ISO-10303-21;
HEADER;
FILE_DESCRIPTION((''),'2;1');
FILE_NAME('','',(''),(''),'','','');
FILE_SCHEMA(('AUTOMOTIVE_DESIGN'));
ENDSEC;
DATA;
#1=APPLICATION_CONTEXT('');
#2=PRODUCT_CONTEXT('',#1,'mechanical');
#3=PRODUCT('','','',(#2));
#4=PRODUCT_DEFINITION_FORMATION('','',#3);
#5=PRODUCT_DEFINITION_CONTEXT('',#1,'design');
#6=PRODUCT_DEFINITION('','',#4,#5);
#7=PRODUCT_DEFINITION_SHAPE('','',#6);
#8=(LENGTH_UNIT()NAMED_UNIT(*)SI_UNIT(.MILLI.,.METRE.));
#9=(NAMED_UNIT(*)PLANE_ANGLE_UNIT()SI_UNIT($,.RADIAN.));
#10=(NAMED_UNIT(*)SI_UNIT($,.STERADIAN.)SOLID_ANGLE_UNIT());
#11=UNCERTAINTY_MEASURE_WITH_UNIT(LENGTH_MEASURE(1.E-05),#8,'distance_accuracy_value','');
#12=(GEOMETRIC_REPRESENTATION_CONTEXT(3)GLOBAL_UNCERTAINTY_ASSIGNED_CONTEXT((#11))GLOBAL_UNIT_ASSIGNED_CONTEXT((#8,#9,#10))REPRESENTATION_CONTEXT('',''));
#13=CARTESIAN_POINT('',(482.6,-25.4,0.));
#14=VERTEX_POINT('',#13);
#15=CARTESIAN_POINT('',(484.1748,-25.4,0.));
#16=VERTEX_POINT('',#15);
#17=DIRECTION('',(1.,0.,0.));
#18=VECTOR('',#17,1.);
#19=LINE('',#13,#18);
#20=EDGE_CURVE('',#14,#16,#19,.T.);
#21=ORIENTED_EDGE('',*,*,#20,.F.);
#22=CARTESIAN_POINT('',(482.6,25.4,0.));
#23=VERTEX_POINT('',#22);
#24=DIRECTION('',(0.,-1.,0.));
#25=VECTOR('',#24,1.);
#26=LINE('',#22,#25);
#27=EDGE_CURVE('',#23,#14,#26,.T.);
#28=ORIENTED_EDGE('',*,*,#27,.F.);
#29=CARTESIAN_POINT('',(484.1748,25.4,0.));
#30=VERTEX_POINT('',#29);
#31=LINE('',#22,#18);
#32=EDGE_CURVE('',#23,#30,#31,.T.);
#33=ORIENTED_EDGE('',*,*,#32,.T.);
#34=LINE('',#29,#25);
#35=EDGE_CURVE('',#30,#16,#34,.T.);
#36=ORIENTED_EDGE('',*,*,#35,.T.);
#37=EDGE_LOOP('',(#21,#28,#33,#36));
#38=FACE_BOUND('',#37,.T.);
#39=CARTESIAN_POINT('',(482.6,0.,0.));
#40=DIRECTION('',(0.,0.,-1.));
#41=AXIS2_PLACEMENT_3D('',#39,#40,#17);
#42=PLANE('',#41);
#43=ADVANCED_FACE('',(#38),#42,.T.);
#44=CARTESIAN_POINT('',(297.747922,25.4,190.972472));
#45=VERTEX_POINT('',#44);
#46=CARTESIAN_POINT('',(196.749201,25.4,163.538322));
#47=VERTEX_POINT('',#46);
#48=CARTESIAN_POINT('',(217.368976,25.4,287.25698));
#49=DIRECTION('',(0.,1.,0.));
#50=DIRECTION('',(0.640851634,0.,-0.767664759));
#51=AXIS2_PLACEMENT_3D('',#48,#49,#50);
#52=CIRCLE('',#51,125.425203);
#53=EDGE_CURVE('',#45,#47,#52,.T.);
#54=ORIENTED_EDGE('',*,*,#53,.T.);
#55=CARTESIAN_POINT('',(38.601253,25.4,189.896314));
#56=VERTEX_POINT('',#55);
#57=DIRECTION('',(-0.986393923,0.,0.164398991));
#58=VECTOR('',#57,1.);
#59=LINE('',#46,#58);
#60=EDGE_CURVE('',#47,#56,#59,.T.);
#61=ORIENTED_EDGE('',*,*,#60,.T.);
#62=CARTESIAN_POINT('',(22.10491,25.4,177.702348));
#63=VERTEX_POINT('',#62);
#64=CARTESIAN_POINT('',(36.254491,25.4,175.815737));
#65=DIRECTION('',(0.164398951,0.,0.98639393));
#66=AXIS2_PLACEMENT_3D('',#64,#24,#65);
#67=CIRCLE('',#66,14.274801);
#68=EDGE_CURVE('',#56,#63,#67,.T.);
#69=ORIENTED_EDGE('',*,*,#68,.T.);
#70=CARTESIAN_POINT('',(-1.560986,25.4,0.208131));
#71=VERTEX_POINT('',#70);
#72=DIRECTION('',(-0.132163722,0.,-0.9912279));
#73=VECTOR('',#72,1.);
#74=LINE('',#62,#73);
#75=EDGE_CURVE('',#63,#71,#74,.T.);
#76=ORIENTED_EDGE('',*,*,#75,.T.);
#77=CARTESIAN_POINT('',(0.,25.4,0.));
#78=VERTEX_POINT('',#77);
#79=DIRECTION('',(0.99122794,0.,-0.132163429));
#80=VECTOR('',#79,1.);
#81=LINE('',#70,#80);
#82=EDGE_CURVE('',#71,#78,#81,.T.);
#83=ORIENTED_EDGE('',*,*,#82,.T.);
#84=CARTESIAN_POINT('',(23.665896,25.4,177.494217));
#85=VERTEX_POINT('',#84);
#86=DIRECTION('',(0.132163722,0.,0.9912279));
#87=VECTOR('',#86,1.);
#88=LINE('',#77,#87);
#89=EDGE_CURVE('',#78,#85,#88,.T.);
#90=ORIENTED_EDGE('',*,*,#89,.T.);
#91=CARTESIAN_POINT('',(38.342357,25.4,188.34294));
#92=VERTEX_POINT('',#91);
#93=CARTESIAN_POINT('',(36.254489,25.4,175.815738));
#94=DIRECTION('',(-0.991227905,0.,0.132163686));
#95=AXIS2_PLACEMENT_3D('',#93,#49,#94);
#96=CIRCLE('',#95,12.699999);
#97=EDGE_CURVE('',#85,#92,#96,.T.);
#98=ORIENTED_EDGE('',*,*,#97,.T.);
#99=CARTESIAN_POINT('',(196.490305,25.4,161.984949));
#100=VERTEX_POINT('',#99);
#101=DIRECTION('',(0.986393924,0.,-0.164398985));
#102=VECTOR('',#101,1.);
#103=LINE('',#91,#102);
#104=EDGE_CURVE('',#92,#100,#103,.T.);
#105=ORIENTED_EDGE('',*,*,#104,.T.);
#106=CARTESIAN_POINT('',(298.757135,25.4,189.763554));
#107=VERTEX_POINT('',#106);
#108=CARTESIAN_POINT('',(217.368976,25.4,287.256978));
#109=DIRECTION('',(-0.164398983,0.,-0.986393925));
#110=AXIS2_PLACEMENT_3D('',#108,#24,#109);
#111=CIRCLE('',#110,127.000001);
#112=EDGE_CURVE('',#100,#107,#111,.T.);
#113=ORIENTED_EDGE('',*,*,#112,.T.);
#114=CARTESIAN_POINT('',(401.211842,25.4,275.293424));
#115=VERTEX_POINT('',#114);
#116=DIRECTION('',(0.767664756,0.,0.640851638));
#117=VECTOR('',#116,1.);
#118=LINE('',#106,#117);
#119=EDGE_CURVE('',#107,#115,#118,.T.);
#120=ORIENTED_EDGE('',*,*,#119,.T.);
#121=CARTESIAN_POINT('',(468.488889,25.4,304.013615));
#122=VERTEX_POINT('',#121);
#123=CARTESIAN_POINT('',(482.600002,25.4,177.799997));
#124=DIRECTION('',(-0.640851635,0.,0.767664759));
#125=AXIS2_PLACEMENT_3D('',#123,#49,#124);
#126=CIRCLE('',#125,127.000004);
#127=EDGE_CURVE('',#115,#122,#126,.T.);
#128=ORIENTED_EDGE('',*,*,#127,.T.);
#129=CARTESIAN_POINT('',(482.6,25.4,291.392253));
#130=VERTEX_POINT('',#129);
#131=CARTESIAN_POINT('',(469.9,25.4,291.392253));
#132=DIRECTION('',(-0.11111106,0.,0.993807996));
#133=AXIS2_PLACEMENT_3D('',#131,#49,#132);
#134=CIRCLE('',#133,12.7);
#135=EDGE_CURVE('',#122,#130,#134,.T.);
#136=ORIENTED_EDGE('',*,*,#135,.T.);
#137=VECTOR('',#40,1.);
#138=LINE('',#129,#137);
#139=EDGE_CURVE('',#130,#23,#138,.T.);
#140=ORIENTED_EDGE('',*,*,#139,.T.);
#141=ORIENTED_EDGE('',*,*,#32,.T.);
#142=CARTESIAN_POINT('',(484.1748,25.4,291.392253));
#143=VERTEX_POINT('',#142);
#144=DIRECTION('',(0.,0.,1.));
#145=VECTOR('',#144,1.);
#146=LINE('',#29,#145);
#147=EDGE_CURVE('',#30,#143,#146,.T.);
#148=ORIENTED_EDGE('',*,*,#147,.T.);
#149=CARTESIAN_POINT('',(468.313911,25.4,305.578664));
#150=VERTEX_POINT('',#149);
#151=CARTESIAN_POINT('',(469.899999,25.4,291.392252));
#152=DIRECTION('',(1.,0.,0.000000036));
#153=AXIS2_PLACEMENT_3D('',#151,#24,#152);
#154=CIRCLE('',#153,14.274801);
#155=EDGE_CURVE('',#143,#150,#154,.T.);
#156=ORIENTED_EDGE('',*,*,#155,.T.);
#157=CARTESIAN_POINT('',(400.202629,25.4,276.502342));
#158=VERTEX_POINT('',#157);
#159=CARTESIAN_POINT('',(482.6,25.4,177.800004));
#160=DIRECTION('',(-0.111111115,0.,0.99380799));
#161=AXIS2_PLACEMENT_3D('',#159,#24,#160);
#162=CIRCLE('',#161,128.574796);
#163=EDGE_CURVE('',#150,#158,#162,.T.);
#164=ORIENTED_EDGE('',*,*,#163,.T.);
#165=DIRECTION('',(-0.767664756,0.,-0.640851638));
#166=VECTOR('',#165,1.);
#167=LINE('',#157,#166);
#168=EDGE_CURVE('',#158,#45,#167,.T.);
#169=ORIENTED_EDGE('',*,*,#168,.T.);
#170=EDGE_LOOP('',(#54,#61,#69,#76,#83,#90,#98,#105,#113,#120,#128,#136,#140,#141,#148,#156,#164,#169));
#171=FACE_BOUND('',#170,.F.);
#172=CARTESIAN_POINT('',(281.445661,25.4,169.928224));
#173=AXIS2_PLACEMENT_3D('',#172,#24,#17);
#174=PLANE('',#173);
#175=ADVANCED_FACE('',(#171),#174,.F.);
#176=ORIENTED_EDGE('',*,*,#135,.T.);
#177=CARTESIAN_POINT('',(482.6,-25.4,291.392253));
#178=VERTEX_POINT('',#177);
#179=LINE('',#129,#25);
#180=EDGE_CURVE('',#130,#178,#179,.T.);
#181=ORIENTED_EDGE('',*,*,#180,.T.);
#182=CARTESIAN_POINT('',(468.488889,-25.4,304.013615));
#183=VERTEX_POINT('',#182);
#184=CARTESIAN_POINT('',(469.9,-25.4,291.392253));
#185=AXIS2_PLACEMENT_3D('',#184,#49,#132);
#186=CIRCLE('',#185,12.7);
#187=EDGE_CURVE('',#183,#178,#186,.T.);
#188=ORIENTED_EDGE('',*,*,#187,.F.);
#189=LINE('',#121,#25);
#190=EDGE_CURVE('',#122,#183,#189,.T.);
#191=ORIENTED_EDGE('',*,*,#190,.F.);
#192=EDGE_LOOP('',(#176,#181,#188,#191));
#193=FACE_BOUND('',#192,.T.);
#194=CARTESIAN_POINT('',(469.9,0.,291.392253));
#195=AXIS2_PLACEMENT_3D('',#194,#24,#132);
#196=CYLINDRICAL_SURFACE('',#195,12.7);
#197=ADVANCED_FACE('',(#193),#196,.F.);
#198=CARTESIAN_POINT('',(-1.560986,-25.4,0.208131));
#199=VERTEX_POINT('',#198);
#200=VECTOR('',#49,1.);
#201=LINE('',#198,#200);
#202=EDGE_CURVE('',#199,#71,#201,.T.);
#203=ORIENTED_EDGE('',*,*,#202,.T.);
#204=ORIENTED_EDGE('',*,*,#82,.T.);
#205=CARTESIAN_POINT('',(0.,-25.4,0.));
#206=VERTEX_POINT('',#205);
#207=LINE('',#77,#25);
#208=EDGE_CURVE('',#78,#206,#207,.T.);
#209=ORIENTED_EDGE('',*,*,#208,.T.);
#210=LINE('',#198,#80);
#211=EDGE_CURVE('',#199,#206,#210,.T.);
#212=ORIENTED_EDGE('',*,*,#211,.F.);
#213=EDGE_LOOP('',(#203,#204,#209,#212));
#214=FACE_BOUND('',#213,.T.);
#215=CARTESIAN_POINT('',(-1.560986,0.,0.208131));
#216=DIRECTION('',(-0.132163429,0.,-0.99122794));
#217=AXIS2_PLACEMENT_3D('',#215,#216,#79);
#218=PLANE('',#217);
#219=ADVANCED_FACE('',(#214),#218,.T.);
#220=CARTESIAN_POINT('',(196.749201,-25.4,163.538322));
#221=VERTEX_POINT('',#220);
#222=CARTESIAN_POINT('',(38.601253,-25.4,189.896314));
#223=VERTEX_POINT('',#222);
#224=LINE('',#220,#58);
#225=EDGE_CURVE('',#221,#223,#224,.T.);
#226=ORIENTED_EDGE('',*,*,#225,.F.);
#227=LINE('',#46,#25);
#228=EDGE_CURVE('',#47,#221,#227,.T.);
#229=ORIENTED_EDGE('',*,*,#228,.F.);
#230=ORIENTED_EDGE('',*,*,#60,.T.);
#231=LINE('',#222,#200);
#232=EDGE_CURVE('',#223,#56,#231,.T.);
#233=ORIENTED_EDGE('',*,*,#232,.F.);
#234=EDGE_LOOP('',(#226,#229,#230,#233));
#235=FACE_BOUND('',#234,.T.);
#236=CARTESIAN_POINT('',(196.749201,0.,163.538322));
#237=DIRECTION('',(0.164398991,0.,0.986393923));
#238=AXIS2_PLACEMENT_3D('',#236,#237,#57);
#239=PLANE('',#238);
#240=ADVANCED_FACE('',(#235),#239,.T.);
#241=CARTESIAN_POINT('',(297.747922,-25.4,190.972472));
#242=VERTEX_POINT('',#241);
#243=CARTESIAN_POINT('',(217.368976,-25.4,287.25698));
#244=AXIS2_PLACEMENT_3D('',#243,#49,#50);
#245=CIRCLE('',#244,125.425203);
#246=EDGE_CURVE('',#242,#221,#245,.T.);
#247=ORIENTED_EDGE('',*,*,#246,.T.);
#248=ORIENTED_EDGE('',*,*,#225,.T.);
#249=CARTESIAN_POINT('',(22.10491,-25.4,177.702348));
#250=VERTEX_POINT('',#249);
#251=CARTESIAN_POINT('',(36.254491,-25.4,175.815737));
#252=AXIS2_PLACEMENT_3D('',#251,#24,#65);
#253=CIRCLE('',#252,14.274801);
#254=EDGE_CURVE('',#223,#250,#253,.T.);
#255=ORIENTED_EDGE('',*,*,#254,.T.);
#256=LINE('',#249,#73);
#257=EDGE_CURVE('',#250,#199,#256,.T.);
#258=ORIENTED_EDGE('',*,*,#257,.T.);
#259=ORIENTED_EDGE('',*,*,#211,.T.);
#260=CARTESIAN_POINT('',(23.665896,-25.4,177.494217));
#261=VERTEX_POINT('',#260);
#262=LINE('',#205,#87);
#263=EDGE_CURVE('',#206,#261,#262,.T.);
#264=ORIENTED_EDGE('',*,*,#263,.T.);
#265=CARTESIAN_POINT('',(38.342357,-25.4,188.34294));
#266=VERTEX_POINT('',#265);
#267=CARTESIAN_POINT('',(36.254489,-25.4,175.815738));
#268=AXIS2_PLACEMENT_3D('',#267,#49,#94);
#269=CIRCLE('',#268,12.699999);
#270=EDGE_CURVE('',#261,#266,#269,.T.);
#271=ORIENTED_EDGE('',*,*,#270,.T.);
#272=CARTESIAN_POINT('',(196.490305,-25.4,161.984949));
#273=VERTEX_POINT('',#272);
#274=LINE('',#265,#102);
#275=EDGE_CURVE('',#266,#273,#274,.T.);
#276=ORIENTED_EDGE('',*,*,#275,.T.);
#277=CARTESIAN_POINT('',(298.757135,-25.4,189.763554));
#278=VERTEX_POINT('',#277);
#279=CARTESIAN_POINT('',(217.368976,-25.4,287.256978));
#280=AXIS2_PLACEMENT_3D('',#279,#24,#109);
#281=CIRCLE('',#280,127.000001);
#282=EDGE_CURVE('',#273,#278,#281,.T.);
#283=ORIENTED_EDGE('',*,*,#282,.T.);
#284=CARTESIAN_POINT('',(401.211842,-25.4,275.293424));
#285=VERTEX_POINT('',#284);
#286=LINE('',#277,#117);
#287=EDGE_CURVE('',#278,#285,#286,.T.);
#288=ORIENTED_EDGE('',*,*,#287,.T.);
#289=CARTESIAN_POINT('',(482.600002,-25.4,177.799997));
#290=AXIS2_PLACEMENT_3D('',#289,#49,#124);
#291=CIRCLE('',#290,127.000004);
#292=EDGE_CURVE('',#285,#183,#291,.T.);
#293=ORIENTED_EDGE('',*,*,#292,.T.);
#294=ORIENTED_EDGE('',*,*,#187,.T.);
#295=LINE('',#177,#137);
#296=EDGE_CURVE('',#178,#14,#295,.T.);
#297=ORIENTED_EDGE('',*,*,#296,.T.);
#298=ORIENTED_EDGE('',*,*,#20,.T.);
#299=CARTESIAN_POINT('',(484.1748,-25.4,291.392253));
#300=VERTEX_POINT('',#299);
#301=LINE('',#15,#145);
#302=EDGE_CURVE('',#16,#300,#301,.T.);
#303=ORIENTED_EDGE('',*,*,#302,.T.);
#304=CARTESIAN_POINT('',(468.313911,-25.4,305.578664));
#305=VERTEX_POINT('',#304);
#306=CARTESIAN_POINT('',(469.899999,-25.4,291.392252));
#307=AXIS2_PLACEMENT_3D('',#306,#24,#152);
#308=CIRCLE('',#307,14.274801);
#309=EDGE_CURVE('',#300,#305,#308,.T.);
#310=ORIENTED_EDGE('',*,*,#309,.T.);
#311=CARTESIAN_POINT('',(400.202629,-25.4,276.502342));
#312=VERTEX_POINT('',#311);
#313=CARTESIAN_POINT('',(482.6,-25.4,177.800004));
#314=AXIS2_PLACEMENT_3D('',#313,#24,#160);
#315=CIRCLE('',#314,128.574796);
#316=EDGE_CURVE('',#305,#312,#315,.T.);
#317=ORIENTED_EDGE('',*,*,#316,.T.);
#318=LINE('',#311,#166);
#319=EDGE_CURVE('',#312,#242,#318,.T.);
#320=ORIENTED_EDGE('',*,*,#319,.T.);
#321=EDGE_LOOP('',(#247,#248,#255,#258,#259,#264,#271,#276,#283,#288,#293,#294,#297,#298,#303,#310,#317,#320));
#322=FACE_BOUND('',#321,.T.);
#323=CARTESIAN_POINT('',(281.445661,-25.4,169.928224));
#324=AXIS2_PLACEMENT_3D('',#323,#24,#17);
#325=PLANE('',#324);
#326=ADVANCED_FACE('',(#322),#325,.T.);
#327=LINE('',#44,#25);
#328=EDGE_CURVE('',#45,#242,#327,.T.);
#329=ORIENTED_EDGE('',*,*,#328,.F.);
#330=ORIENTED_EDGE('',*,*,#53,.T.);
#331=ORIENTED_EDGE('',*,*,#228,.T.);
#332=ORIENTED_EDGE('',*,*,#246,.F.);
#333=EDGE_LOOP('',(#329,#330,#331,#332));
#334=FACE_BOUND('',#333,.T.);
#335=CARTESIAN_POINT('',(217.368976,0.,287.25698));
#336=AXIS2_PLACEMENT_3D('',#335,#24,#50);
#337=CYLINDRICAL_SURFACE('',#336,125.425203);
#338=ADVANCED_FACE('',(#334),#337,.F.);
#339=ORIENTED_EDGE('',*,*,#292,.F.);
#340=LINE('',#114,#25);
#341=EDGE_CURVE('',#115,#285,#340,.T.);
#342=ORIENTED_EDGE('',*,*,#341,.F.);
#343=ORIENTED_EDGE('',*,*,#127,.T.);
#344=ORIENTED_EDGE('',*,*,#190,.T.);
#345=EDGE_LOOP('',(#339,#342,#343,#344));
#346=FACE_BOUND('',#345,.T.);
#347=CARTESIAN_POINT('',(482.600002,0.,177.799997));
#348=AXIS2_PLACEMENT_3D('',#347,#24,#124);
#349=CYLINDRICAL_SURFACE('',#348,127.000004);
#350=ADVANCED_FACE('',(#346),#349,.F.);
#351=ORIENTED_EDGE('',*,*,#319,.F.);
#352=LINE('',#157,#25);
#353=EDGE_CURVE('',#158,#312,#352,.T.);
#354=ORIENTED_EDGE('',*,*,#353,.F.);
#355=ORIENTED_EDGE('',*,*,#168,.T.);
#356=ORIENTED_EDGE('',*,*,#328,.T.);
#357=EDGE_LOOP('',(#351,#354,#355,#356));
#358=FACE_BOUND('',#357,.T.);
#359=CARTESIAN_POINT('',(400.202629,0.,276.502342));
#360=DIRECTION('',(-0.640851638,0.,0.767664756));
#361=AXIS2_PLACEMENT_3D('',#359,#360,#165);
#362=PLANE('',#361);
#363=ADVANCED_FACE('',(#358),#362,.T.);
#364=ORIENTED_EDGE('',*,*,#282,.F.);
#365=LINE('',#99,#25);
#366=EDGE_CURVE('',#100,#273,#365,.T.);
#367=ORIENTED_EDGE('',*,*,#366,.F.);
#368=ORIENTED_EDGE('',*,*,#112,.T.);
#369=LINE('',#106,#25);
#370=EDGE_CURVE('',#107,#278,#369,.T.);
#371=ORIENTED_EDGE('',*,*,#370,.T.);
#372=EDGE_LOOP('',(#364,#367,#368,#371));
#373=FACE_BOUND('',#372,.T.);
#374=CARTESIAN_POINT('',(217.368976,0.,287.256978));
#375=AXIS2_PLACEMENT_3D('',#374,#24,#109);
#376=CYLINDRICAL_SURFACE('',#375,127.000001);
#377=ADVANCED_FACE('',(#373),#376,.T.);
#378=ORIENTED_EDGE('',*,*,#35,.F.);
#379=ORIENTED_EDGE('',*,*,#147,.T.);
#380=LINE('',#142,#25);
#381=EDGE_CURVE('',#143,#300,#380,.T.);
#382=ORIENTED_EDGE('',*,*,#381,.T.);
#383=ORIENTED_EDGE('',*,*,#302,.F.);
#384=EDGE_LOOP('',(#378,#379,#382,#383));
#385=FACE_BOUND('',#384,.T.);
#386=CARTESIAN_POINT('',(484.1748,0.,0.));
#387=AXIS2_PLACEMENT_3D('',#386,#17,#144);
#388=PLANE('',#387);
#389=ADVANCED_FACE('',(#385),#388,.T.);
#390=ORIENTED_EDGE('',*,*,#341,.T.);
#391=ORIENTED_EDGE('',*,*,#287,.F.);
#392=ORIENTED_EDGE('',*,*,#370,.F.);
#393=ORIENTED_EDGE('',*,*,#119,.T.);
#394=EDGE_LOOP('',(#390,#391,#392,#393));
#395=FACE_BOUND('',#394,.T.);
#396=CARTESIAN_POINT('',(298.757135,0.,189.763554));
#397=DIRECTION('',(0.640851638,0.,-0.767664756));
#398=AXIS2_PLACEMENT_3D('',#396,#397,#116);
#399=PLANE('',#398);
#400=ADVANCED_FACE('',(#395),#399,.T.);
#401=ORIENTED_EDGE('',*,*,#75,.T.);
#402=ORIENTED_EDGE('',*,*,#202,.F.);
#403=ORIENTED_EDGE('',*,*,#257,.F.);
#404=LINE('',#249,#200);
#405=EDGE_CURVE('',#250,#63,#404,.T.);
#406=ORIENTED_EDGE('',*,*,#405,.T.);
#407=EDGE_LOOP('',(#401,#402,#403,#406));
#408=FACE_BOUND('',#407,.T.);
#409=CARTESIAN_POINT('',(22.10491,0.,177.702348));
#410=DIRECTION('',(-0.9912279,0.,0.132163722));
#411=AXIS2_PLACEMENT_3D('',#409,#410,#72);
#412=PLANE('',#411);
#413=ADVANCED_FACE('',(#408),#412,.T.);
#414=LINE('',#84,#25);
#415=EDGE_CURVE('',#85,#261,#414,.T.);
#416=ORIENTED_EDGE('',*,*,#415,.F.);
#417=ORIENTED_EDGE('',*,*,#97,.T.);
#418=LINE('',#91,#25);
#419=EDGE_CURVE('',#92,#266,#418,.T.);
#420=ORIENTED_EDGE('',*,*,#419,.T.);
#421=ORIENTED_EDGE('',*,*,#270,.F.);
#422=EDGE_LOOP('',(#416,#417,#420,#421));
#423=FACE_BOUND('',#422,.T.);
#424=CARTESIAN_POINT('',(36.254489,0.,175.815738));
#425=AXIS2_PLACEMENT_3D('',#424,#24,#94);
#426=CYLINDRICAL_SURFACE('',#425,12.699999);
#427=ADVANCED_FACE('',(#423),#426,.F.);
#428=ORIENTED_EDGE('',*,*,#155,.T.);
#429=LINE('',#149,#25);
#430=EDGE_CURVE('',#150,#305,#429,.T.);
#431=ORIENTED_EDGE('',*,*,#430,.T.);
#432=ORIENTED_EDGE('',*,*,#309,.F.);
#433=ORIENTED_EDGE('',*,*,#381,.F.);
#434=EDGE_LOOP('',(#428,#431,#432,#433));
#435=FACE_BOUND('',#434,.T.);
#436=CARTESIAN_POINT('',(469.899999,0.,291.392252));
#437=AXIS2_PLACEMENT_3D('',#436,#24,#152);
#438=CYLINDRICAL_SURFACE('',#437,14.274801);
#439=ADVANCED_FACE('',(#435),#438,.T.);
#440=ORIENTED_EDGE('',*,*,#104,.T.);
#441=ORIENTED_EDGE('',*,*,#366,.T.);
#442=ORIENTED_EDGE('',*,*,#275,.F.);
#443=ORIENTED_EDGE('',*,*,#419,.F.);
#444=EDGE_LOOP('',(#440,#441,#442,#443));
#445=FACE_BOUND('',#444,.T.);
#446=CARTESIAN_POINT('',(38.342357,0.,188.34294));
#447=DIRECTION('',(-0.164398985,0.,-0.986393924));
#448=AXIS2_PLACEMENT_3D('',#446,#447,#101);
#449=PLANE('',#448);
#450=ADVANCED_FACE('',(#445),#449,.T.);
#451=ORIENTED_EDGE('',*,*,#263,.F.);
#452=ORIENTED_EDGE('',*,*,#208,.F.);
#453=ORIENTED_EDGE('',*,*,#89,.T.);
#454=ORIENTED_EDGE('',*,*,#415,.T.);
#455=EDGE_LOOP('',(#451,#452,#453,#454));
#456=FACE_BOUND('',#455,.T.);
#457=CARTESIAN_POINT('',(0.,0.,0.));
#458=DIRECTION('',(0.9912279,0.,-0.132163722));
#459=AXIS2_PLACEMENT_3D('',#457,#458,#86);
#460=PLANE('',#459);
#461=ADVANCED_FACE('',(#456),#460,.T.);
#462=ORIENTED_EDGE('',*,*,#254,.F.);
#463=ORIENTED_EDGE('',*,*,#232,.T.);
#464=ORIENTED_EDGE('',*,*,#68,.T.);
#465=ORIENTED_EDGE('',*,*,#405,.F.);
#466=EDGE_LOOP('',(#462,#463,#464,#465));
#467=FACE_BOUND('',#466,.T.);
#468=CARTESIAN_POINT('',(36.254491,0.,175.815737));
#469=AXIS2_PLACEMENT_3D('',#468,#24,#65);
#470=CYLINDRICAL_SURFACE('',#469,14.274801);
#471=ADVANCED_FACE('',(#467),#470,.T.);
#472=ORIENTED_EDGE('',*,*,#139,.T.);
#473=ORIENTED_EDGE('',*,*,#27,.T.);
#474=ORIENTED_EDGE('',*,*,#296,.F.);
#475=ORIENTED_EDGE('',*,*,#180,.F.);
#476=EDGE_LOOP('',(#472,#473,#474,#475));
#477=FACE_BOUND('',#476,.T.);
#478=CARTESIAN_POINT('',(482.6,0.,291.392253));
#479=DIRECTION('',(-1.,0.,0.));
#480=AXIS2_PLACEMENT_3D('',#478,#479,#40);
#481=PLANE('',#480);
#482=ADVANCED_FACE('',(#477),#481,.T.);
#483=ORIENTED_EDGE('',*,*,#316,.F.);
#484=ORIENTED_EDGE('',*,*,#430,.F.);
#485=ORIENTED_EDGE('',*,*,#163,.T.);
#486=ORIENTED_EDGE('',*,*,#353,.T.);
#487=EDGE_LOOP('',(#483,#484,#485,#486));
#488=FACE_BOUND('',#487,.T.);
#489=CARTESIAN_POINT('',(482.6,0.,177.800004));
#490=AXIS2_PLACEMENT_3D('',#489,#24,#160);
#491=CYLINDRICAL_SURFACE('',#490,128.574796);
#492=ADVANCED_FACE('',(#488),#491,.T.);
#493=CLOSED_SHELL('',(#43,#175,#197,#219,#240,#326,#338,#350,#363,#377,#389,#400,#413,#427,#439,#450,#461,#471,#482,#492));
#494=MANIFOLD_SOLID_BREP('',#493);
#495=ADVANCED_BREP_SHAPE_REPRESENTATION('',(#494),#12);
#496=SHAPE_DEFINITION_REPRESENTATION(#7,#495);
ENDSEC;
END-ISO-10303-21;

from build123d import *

# Parameters (mm, degrees)
F1_DEPTH      = 25.4
F1_DEPTH_BACK = 25.4


with BuildPart() as f1:
    # F0 (on Front) → F1 (new body, two sides)
    with BuildSketch(Plane.XZ) as f1_sk:
        with BuildLine():
            Line((-1.560986, 0.208131), (0, 0))
            Line((0, 0), (23.665896, 177.494217))
            ThreePointArc((23.665896, 177.494217), (28.705317, 186.028474), (38.342357, 188.34294))
            Line((38.342357, 188.34294), (196.490305, 161.984949))
            ThreePointArc((196.490305, 161.984949), (250.659549, 164.697858), (298.757135, 189.763554))
            Line((298.757135, 189.763554), (401.211842, 275.293424))
            ThreePointArc((401.211842, 275.293424), (432.73779, 294.602226), (468.488889, 304.013615))
            ThreePointArc((468.488889, 304.013615), (478.366667, 300.858274), (482.6, 291.392253))
            Line((482.6, 291.392253), (482.6, 0))
            Line((482.6, 0), (484.1748, 0))
            Line((484.1748, 0), (484.1748, 291.392253))
            ThreePointArc((484.1748, 291.392253), (479.416533, 302.032061), (468.313911, 305.578664))
            ThreePointArc((468.313911, 305.578664), (432.119499, 296.050574), (400.202629, 276.502342))
            Line((400.202629, 276.502342), (297.747922, 190.972472))
            ThreePointArc((297.747922, 190.972472), (250.246746, 166.217591), (196.749201, 163.538322))
            Line((196.749201, 163.538322), (38.601253, 189.896314))
            ThreePointArc((38.601253, 189.896314), (27.769219, 187.294853), (22.10491, 177.702348))
            Line((22.10491, 177.702348), (-1.560986, 0.208131))
        make_face()
    extrude(amount=F1_DEPTH)
    extrude(f1_sk.sketch, amount=-F1_DEPTH_BACK)


solid = f1.part
